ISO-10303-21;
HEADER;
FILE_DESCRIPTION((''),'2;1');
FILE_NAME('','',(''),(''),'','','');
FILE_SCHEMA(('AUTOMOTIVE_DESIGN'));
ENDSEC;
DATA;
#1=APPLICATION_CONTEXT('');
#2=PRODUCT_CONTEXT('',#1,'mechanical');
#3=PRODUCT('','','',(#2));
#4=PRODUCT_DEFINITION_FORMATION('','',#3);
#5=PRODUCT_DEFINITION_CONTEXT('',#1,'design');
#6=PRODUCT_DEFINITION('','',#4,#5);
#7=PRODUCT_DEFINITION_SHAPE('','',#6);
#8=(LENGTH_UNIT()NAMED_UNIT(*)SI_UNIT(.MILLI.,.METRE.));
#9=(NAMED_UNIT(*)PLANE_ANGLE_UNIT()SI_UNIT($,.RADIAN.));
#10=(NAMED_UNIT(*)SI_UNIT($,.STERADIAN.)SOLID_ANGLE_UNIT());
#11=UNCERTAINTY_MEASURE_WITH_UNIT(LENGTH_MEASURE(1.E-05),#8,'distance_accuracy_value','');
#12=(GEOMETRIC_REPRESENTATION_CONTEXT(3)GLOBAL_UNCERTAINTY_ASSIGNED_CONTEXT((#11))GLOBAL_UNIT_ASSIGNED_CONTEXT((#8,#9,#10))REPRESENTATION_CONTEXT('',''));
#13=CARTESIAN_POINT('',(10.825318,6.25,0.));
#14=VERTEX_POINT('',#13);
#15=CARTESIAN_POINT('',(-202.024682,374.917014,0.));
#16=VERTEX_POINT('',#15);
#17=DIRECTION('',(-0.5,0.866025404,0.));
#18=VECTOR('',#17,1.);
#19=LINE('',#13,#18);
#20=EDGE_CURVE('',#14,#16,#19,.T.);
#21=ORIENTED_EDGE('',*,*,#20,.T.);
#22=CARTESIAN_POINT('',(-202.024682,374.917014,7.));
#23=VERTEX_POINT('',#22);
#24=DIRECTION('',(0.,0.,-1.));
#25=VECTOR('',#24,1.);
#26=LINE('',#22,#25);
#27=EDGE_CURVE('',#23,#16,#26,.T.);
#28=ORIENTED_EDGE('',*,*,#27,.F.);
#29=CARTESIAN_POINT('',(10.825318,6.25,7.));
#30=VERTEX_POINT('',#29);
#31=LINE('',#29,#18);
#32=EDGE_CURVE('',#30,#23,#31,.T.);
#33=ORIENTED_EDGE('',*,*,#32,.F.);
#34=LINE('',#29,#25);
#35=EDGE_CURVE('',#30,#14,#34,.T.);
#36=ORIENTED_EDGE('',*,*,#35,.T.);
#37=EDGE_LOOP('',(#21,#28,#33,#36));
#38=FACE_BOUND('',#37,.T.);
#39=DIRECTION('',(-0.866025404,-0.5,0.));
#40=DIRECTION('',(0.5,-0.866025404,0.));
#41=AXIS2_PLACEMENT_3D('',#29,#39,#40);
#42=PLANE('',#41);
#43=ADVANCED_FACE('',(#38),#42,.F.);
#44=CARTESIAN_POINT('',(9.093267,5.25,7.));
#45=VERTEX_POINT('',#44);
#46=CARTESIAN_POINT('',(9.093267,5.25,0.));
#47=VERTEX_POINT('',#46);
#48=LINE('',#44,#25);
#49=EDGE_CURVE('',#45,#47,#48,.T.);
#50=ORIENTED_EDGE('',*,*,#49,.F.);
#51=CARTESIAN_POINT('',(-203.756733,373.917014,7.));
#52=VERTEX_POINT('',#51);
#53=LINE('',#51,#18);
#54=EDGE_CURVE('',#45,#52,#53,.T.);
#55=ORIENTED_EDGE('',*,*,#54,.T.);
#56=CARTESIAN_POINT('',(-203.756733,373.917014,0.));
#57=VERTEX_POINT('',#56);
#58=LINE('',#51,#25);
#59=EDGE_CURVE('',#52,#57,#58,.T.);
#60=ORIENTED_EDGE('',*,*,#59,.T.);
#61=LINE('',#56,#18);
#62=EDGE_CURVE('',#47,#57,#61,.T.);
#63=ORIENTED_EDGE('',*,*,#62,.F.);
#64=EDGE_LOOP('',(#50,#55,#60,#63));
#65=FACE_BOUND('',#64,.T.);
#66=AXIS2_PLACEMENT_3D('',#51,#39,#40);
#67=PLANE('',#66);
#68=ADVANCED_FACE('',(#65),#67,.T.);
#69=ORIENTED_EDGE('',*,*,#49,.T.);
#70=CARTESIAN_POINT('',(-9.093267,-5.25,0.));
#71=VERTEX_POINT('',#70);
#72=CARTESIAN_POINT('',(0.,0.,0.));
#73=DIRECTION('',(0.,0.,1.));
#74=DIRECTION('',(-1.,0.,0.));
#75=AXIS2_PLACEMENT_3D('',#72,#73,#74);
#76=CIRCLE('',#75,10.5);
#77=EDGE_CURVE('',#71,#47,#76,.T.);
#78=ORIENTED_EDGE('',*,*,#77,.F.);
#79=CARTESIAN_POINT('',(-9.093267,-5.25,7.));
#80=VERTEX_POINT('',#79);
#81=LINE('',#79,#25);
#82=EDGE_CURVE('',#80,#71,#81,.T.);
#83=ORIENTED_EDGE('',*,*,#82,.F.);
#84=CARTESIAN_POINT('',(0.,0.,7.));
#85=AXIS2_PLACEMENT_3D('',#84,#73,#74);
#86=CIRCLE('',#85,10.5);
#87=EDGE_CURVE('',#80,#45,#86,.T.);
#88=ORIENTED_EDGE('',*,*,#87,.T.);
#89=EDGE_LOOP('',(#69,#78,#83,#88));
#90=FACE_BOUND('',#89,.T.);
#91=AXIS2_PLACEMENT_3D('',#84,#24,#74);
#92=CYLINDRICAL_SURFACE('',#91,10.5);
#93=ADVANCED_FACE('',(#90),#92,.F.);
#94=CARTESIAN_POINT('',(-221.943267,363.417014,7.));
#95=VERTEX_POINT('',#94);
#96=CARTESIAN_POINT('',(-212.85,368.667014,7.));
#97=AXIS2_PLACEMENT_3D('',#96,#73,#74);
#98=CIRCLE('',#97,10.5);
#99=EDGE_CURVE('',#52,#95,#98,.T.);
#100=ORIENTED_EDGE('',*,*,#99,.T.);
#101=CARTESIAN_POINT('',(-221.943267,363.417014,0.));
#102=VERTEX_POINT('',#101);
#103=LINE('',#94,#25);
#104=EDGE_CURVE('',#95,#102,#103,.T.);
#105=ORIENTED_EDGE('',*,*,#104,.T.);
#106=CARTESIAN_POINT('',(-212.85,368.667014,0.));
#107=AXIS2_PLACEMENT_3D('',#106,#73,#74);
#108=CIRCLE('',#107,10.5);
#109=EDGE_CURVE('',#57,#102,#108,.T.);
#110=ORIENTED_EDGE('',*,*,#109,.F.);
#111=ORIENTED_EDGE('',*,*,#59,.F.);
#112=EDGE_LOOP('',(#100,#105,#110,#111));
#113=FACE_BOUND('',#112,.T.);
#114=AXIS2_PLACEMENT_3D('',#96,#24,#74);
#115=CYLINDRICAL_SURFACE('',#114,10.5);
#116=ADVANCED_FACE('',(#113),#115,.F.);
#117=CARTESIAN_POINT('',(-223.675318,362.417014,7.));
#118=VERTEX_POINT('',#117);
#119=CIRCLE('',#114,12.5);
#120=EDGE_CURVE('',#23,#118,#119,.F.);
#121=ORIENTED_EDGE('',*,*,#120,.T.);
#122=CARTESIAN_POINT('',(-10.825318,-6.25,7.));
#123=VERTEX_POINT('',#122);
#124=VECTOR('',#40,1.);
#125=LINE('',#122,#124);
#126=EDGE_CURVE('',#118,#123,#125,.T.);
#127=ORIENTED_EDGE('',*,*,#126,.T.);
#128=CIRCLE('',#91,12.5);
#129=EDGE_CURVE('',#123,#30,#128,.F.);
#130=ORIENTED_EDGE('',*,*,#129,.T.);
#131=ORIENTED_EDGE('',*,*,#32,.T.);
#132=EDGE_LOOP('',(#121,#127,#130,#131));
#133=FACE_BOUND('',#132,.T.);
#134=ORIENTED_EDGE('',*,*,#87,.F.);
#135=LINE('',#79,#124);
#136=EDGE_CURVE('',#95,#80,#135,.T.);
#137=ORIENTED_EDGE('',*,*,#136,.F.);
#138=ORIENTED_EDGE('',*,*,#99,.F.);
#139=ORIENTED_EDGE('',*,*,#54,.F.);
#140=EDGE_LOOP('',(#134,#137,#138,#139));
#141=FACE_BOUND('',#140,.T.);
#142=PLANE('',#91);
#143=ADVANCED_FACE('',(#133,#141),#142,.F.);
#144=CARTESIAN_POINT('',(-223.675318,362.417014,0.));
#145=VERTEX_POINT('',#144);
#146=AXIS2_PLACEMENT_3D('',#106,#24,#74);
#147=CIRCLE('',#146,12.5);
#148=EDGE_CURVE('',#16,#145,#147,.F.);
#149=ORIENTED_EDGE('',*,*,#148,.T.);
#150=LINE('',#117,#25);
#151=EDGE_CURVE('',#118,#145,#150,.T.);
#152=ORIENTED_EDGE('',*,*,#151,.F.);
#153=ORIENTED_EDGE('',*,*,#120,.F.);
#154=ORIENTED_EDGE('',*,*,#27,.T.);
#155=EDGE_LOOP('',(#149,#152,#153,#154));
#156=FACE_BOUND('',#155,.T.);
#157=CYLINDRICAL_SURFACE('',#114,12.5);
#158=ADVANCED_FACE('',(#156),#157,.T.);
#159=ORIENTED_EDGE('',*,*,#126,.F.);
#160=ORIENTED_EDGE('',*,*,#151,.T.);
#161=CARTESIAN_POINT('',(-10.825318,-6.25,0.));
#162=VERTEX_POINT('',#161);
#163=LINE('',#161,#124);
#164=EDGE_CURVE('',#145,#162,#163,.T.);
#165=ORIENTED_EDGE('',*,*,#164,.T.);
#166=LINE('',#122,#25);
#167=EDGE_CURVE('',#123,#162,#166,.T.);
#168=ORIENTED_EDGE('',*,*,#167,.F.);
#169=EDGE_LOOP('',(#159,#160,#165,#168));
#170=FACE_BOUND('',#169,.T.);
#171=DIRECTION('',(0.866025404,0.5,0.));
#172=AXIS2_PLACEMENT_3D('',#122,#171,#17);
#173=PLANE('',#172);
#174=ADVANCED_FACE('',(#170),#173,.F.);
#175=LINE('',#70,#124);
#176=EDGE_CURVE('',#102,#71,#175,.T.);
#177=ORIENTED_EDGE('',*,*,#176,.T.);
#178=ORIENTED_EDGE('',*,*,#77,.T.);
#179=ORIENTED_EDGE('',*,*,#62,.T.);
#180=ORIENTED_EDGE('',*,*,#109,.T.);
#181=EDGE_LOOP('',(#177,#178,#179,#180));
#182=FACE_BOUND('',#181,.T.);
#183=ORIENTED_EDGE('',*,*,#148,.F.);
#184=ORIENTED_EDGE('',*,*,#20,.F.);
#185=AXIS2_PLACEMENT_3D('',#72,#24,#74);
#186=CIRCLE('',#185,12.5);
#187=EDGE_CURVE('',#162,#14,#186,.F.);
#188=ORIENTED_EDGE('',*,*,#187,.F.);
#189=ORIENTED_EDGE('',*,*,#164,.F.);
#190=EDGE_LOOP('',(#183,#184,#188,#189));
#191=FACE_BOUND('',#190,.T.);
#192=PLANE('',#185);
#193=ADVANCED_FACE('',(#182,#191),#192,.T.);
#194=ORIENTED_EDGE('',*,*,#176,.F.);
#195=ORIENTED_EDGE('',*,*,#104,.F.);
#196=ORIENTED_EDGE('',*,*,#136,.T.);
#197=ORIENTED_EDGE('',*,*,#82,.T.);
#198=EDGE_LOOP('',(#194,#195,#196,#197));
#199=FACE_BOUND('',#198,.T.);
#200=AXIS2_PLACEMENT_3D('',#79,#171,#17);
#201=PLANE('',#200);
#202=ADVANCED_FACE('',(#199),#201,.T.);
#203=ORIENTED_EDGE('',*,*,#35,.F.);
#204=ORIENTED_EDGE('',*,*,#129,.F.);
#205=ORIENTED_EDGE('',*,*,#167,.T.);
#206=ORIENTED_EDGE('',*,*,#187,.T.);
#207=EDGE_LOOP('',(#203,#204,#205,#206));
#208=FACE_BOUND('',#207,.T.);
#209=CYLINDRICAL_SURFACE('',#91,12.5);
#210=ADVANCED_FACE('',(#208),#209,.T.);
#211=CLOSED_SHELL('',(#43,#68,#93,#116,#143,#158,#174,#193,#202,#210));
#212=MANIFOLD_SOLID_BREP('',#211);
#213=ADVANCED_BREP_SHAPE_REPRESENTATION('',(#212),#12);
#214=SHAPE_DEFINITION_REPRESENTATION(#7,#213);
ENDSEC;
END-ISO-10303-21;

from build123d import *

# Parameters (mm, degrees)
EXTRUDE_THIN1_DEPTH = 7


with BuildPart() as part:
    # Sketch2 → Extrude-Thin1 (new body)
    with BuildSketch(Plane.XY):
        with BuildLine():
            Line((-202.024682453, 374.917014391), (10.825317547, 6.25))
            ThreePointArc((10.825317547, 6.25), (6.25, -10.825317547), (-10.825317547, -6.25))
            Line((-10.825317547, -6.25), (-223.675317547, 362.417014391))
            ThreePointArc((-223.675317547, 362.417014391), (-219.1, 379.492331938), (-202.024682453, 374.917014391))
        make_face()
        with BuildLine():
            Line((-203.75673326, 373.917014391), (9.09326674, 5.25))
            ThreePointArc((9.09326674, 5.25), (5.25, -9.09326674), (-9.09326674, -5.25))
            Line((-9.09326674, -5.25), (-221.94326674, 363.417014391))
            ThreePointArc((-221.94326674, 363.417014391), (-218.1, 377.760281131), (-203.75673326, 373.917014391))
        make_face(mode=Mode.SUBTRACT)
    extrude(amount=EXTRUDE_THIN1_DEPTH)


solid = part.part
